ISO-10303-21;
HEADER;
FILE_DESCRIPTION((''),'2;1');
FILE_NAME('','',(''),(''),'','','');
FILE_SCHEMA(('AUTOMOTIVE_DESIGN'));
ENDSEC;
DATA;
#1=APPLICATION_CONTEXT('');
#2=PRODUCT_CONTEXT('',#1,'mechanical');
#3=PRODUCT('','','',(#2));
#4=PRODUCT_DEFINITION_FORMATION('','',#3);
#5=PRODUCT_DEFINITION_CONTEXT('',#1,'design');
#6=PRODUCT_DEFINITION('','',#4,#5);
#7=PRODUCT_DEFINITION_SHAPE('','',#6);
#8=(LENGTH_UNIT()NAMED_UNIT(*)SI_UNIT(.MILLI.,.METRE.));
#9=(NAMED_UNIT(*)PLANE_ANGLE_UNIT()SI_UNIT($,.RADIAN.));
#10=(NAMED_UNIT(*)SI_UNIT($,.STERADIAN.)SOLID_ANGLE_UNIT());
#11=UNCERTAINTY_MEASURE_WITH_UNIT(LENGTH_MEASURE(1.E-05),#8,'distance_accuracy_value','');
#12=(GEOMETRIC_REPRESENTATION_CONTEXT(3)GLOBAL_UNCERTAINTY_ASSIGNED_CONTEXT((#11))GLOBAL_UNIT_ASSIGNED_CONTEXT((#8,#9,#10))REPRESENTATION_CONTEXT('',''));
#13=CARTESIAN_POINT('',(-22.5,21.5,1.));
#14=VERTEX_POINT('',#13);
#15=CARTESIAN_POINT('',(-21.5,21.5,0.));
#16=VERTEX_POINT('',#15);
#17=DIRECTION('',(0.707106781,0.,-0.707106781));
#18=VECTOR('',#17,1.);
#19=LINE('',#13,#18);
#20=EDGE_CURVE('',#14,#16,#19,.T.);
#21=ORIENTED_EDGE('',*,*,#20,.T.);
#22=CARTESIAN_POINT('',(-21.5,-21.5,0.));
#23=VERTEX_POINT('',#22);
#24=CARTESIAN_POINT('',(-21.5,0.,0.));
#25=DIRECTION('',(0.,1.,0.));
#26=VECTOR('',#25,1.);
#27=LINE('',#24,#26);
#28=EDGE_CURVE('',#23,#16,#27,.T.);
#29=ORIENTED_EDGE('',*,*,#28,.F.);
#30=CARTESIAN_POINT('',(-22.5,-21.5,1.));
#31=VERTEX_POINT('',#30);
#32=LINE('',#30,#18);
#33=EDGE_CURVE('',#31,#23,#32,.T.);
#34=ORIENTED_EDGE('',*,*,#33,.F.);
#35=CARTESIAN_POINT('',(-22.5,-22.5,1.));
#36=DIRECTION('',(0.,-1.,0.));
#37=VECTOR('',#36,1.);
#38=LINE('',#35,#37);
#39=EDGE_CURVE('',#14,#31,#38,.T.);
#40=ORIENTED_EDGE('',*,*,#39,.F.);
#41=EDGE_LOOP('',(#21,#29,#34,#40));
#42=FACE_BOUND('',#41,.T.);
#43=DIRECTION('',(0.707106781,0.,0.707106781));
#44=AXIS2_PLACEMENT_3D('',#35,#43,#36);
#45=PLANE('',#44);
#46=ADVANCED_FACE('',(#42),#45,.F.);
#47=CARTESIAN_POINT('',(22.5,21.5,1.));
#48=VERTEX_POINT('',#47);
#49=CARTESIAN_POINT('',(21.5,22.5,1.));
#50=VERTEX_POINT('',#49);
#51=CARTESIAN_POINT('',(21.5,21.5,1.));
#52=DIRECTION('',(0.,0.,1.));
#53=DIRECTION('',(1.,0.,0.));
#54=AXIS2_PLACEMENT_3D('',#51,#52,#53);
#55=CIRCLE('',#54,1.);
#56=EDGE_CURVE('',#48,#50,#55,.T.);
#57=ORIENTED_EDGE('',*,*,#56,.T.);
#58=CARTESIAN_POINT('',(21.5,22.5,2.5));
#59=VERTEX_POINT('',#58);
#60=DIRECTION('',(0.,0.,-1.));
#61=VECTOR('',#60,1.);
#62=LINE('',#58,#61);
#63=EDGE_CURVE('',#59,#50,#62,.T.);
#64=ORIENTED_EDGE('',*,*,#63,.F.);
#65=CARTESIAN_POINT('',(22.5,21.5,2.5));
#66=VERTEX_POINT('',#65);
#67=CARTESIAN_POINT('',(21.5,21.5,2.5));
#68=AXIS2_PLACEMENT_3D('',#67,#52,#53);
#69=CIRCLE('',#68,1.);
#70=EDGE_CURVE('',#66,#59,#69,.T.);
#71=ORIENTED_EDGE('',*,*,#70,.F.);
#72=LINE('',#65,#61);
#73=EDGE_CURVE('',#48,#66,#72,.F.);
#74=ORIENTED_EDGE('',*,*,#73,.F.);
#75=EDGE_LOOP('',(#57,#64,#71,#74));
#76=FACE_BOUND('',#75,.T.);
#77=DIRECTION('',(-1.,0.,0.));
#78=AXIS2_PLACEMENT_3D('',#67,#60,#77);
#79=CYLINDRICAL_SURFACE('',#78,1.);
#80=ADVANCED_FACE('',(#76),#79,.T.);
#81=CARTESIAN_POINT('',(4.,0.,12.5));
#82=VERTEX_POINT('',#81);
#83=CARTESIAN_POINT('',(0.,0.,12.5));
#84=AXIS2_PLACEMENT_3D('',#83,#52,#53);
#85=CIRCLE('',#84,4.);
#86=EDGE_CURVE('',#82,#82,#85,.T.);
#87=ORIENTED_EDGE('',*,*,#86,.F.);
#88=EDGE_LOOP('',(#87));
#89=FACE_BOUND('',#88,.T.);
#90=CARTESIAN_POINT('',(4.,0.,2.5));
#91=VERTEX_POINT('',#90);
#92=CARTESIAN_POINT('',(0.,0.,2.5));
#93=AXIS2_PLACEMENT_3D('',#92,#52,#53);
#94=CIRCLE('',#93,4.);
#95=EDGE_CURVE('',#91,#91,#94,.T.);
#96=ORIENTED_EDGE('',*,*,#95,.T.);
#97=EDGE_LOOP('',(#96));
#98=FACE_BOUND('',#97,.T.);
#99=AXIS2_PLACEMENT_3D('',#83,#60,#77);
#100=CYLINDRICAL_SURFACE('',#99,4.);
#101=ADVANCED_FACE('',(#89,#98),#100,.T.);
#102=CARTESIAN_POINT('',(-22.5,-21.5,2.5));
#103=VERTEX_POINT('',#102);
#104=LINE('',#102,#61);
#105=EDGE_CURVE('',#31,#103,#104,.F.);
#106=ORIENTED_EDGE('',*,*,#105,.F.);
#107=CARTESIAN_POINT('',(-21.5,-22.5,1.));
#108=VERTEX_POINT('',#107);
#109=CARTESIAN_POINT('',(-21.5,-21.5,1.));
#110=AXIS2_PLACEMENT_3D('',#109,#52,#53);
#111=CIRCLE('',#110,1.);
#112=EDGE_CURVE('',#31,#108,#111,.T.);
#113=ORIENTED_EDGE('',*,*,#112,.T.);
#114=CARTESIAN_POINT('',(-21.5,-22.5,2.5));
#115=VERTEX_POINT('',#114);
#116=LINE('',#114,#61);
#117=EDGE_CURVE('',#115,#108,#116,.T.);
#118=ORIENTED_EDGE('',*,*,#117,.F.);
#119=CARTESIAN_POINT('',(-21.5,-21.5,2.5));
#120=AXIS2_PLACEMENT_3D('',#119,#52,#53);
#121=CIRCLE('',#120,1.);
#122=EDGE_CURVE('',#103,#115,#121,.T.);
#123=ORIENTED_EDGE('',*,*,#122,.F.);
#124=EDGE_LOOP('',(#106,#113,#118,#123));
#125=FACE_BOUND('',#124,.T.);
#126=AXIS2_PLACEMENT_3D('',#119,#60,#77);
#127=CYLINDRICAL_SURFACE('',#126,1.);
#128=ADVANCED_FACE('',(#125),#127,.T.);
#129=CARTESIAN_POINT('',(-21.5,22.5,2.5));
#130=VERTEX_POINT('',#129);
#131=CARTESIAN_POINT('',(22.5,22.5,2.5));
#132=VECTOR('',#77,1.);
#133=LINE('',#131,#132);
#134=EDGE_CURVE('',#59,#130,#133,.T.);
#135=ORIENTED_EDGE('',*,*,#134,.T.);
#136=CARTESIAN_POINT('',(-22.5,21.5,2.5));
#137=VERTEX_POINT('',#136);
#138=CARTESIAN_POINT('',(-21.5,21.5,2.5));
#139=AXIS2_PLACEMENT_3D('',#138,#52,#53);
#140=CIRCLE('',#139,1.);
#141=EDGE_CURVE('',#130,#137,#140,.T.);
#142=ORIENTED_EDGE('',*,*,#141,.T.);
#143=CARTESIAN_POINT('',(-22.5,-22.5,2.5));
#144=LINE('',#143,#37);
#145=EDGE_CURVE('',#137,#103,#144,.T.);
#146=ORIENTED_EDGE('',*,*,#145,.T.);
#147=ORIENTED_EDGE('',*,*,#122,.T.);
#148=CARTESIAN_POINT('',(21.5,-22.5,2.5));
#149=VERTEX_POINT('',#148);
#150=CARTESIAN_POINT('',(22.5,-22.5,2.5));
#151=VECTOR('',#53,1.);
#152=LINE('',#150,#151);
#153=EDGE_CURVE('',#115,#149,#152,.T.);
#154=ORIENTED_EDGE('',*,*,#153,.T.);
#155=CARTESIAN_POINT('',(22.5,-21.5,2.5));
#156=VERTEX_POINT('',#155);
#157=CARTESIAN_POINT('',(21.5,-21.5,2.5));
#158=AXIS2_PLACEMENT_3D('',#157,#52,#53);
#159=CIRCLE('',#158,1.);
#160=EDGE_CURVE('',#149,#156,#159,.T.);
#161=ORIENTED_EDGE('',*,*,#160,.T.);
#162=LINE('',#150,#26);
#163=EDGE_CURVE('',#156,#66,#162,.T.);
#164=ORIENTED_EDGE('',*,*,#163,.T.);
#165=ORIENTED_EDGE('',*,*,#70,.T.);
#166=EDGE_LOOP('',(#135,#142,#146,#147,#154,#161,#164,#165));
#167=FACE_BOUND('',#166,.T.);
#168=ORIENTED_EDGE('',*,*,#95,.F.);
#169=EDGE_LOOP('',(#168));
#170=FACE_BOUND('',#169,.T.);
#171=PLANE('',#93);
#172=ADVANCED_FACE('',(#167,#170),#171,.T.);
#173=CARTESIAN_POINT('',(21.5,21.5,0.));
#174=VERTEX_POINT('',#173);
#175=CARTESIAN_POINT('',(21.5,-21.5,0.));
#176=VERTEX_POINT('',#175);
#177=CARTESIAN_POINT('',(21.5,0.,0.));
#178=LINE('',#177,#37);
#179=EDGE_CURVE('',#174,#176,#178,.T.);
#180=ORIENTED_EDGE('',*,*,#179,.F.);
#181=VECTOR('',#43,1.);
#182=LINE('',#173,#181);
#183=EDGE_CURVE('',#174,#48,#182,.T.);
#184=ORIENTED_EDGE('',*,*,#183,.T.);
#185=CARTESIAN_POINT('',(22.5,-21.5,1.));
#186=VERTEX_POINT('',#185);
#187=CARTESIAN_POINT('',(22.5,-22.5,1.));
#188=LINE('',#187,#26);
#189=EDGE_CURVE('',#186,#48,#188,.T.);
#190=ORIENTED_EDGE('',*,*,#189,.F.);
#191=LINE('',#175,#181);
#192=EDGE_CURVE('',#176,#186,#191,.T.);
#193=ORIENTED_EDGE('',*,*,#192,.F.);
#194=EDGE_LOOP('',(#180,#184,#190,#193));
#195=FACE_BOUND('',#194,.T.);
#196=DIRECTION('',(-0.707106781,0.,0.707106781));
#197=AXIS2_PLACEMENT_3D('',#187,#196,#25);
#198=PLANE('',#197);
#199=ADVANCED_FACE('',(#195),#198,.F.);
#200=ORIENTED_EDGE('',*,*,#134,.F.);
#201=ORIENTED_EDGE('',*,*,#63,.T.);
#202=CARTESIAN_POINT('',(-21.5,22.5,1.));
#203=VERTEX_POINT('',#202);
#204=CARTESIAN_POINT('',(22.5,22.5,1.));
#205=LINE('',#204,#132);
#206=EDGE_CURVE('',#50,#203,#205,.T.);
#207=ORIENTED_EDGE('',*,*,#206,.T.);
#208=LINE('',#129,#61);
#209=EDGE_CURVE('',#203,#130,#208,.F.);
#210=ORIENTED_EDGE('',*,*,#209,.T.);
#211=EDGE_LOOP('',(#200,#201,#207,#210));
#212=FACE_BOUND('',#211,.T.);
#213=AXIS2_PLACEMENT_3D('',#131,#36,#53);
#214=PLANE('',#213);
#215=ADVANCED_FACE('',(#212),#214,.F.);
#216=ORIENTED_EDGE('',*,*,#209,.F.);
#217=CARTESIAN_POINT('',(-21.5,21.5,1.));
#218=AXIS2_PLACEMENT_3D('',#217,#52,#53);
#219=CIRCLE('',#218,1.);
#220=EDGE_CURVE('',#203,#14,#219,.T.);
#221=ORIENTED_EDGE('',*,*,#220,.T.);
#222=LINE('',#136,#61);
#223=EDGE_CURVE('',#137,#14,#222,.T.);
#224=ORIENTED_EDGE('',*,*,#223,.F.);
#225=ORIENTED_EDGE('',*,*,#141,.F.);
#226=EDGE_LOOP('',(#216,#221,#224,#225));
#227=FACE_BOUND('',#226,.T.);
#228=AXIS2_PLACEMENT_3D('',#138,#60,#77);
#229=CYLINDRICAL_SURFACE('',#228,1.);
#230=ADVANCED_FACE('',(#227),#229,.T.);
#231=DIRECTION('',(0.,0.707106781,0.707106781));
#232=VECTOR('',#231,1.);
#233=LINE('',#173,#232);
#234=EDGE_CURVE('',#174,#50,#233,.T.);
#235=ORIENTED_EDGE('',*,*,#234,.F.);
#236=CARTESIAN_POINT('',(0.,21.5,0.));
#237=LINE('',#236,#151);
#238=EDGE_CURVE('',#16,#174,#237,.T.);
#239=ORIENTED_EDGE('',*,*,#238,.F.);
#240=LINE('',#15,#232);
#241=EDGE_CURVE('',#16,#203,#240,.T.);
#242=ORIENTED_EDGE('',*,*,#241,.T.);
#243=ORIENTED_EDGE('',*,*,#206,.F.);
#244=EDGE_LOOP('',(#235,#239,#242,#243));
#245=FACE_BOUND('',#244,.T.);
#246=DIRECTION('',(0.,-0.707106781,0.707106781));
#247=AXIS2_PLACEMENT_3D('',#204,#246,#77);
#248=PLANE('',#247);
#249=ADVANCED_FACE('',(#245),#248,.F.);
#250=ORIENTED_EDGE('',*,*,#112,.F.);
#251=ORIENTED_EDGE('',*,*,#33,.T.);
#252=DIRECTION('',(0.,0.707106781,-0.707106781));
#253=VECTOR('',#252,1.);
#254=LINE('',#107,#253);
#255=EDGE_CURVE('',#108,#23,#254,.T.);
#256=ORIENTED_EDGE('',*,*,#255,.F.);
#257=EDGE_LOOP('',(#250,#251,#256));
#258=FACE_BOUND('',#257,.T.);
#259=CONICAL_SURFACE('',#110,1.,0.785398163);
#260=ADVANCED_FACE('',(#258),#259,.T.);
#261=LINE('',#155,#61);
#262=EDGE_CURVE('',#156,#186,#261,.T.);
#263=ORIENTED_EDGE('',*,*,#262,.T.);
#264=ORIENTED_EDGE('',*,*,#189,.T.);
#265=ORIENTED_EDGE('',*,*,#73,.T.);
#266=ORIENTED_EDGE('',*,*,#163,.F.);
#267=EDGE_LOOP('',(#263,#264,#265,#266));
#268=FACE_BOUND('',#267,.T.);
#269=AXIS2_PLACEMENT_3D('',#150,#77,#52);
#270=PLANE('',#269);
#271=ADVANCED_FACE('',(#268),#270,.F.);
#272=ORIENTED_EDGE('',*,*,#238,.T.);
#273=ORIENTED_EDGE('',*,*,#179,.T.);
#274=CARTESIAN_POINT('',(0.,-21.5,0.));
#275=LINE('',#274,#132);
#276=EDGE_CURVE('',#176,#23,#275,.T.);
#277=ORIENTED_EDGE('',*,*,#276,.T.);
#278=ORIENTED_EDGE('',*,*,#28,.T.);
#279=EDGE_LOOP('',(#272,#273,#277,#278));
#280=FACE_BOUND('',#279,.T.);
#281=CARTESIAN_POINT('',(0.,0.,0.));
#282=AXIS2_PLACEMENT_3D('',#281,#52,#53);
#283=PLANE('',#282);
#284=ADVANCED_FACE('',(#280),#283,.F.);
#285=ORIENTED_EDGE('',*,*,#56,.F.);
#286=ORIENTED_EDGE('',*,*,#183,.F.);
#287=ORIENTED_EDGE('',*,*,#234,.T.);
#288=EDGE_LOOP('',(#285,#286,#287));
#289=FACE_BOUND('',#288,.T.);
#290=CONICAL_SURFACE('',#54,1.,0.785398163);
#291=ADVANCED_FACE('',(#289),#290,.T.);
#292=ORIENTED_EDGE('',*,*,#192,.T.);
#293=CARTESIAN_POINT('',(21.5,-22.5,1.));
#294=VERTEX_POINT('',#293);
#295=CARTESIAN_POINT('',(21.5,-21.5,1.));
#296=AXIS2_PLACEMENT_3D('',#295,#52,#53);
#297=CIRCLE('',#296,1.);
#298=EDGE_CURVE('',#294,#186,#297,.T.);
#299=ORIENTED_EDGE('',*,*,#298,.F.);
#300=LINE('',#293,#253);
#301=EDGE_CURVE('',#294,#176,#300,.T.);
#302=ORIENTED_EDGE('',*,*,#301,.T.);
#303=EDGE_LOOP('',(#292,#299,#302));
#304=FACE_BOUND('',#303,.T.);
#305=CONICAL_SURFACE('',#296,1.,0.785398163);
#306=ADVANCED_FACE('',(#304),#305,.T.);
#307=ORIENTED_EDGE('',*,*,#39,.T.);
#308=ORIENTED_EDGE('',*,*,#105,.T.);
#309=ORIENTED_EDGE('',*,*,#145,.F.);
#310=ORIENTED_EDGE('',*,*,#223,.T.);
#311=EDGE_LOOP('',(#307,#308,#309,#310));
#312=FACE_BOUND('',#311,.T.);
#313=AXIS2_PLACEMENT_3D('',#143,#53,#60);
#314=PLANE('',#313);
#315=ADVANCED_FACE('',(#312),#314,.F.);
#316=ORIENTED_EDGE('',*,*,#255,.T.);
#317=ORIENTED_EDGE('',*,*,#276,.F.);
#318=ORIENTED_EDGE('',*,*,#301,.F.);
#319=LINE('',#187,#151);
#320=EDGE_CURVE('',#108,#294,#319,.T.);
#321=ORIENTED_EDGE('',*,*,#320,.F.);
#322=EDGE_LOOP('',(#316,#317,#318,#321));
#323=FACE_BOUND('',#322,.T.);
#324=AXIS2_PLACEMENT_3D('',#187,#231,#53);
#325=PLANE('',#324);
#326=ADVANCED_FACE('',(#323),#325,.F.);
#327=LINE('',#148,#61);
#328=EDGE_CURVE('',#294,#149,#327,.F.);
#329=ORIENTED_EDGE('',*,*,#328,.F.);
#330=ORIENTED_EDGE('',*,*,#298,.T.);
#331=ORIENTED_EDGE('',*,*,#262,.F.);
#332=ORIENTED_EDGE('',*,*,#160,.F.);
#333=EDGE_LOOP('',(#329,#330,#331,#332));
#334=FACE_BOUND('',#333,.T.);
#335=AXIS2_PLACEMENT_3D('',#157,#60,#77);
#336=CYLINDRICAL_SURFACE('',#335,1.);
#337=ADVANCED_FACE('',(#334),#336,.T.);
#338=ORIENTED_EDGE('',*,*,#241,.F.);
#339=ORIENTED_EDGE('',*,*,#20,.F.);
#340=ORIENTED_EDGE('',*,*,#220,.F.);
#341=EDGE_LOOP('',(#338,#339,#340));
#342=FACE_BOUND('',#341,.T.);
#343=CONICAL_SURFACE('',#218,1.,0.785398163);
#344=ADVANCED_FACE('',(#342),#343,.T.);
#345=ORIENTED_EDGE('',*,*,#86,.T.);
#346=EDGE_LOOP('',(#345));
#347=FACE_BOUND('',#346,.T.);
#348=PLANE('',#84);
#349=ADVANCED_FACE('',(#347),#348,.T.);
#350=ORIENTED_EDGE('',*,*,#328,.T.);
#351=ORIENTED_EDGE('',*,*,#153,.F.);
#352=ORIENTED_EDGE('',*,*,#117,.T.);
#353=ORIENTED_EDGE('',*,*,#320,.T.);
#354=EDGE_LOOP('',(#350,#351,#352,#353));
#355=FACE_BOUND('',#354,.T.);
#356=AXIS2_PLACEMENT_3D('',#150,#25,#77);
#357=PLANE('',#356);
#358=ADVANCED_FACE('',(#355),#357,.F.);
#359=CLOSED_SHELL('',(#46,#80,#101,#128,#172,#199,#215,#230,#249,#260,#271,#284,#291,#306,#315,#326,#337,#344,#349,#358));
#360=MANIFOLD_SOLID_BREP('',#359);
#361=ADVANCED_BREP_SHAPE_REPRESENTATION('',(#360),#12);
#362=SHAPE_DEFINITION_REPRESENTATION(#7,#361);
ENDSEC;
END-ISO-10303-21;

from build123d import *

# Parameters (mm, degrees)
SKETCH1_W           = 45
SKETCH1_H           = 45
BOSS_EXTRUDE1_DEPTH = 2.5
FILLET1_R           = 1
SKETCH2_R           = 4
BOSS_EXTRUDE2_DEPTH = 10
CHAMFER1_SIZE       = 1


with BuildPart() as part:
    # Sketch1 → Boss-Extrude1 (new body)
    with BuildSketch(Plane.XY):
        Rectangle(SKETCH1_W, SKETCH1_H)
    extrude(amount=BOSS_EXTRUDE1_DEPTH)

    # Fillet1
    fillet1_edges = [part.edges().sort_by_distance(p)[0] for p in [
        (-22.5, 22.5, 1.25),
        (22.5, 22.5, 1.25),
        (22.5, -22.5, 1.25),
        (-22.5, -22.5, 1.25),
    ]]
    fillet(fillet1_edges, radius=FILLET1_R)

    # Sketch2 → Boss-Extrude2 (add)
    with BuildSketch(Plane.XY.offset(2.5)):
        Circle(SKETCH2_R)
    extrude(amount=BOSS_EXTRUDE2_DEPTH)

    # Chamfer1
    chamfer1_edges = [part.edges().sort_by_distance(p)[0] for p in [
        (0, -22.5, 0),
        (-22.5, 0, 0),
        (0, 22.5, 0),
        (22.5, 0, 0),
        (22.207106781, 22.207106781, 0),
        (-22.207106781, 22.207106781, 0),
        (22.207106781, -22.207106781, 0),
        (-22.207106781, -22.207106781, 0),
    ]]
    chamfer(chamfer1_edges, length=CHAMFER1_SIZE)


solid = part.part
